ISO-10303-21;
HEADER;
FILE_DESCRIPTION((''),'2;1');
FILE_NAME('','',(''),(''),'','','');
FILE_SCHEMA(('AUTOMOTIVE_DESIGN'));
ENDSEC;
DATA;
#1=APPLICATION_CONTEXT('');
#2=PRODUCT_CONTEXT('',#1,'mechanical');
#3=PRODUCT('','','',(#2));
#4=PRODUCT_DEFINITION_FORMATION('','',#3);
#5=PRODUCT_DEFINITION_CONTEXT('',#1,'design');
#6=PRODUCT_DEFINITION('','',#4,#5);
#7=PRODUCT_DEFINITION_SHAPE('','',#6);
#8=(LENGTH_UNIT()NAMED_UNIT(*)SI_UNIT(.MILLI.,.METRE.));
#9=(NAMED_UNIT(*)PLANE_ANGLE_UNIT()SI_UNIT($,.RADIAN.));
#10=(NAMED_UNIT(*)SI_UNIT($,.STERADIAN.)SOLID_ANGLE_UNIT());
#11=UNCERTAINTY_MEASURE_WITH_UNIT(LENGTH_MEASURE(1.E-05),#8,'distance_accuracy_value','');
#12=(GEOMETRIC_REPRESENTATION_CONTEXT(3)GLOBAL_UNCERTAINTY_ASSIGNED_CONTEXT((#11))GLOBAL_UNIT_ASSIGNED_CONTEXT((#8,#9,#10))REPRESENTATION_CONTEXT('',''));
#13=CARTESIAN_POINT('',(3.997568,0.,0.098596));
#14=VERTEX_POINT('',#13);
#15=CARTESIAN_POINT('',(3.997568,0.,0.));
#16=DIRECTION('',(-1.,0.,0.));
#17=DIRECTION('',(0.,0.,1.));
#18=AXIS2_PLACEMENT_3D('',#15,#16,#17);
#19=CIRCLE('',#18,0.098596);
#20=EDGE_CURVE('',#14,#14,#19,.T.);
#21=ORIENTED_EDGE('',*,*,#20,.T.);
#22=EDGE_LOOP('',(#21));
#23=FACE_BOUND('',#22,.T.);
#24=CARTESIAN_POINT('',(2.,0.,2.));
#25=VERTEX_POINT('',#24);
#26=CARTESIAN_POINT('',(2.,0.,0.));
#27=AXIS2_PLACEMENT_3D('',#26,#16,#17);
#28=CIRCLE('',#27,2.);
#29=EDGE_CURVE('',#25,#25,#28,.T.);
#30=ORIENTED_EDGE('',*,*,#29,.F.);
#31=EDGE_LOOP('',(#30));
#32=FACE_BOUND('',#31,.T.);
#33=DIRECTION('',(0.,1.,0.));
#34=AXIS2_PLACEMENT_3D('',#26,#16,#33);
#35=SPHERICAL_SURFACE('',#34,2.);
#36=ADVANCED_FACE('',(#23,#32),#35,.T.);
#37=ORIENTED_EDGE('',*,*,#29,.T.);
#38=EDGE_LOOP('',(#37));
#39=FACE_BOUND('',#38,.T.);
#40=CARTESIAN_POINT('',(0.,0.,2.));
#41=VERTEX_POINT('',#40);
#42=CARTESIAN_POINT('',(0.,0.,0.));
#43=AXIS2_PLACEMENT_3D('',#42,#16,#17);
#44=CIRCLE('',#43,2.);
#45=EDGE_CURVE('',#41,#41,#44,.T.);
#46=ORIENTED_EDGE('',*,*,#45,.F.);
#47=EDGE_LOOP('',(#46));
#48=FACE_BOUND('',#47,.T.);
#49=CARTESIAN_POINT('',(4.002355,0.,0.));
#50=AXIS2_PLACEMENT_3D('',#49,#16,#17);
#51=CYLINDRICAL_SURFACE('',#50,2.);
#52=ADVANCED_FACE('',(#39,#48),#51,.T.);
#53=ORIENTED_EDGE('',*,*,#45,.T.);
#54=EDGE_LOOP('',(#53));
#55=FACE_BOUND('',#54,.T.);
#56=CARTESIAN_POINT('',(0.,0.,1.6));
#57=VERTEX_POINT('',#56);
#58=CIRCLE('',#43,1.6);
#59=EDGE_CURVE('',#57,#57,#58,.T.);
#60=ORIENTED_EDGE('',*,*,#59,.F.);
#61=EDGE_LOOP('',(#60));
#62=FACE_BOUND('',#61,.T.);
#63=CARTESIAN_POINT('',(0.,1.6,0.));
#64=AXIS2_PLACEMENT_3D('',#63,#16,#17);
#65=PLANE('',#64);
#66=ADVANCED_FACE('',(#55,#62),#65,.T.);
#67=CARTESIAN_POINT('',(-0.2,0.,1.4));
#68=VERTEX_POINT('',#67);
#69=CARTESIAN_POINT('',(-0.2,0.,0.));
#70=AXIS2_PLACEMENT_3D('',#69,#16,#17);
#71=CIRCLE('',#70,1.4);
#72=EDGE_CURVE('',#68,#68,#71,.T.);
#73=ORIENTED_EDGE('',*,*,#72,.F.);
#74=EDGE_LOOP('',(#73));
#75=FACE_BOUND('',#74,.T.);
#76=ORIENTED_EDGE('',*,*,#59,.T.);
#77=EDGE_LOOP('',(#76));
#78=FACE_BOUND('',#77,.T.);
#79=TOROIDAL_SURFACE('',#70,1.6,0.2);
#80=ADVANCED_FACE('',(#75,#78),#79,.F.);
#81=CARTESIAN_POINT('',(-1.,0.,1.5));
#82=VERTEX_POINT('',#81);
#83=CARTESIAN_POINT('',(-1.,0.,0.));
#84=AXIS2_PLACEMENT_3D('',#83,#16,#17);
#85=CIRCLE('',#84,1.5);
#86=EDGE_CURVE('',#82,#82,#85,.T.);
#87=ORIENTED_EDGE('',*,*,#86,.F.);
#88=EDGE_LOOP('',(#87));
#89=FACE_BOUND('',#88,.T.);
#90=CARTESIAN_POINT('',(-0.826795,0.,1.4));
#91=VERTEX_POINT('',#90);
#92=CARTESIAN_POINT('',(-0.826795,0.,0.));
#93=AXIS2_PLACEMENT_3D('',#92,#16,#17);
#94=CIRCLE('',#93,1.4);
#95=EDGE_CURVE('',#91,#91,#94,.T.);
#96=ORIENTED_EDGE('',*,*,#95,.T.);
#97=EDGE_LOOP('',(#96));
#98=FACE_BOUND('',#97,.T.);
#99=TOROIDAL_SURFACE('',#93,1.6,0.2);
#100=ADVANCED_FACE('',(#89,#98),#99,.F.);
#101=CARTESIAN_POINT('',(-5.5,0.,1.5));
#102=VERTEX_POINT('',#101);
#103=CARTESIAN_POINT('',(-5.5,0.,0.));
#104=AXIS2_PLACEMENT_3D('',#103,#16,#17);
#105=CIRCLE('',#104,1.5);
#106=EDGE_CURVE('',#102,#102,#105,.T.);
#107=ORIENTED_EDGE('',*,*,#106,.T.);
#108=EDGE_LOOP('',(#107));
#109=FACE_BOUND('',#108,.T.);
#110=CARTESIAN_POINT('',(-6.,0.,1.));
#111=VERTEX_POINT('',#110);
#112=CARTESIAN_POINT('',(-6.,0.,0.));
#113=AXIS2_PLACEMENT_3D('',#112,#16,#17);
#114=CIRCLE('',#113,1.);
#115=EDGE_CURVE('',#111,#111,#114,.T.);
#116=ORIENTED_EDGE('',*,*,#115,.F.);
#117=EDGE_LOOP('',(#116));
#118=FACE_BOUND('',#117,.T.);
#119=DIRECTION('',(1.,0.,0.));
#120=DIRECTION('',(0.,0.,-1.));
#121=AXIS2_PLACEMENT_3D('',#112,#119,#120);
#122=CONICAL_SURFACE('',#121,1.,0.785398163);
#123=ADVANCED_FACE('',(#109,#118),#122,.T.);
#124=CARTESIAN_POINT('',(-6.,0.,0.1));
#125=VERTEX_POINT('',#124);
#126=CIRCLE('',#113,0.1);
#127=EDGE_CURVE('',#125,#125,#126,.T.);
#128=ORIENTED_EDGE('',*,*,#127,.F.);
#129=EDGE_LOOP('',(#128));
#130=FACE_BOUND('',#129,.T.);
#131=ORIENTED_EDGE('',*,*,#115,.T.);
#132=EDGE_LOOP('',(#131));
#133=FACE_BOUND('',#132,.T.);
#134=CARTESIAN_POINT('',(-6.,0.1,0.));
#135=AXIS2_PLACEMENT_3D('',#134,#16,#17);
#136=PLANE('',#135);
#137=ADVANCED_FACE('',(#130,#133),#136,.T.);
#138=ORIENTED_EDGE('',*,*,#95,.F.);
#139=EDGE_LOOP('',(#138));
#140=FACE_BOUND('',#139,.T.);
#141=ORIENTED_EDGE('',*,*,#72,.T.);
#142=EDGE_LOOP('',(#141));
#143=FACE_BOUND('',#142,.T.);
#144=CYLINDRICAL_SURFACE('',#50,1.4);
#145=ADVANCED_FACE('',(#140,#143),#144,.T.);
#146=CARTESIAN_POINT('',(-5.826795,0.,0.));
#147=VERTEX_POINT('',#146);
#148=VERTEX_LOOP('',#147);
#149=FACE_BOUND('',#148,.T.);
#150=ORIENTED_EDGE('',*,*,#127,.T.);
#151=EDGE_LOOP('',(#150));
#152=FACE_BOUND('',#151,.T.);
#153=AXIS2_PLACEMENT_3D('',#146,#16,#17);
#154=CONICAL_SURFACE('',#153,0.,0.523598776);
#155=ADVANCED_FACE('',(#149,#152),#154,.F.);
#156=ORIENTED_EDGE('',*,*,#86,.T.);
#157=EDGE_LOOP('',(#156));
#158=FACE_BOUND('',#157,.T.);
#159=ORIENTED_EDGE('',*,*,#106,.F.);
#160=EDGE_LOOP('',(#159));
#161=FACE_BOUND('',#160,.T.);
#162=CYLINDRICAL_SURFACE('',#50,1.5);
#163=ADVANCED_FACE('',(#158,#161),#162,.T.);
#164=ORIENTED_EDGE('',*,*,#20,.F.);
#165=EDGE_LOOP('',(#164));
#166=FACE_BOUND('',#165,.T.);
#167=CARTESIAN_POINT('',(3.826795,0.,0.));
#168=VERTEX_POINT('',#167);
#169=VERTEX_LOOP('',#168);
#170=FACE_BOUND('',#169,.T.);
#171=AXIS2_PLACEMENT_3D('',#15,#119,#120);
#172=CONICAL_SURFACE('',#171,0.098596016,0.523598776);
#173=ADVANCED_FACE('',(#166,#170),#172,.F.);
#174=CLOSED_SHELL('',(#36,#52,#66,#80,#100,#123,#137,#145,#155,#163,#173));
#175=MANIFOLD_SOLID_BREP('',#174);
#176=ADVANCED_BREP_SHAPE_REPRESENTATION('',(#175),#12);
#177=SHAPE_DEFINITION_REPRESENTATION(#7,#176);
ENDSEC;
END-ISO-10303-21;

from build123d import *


with BuildPart() as part:
    # Sketch1 → Revolve1 (revolve)
    with BuildSketch(Plane(origin=(0, 0, 0), x_dir=(-1, 0, 0), z_dir=(0, 0, -1)), mode=Mode.PRIVATE) as revolve1_sk:
        with BuildLine():
            Line((-3.997568228, 0.098596016), (-3.826794919, 0))
            Line((-3.826794919, 0), (5.826794919, 0))
            Line((5.826794919, 0), (6, 0.1))
            Line((6, 0.1), (6, 1))
            Line((6, 1), (5.5, 1.5))
            Line((5.5, 1.5), (1, 1.5))
            ThreePointArc((1, 1.5), (0.926794919, 1.426794919), (0.826794919, 1.4))
            Line((0.826794919, 1.4), (0.2, 1.4))
            ThreePointArc((0.2, 1.4), (0.058578644, 1.458578644), (0, 1.6))
            Line((0, 1.6), (0, 2))
            Line((0, 2), (-2, 2))
            ThreePointArc((-2, 2), (-3.37891406, 1.448653173), (-3.997568228, 0.098596016))
        make_face()
    revolve(revolve1_sk.sketch.rotate(Axis((4.002354589, 0, 0), (-1, 0, 0)), 270), axis=Axis((4.002354589, 0, 0), (-1, 0, 0)))


solid = part.part
